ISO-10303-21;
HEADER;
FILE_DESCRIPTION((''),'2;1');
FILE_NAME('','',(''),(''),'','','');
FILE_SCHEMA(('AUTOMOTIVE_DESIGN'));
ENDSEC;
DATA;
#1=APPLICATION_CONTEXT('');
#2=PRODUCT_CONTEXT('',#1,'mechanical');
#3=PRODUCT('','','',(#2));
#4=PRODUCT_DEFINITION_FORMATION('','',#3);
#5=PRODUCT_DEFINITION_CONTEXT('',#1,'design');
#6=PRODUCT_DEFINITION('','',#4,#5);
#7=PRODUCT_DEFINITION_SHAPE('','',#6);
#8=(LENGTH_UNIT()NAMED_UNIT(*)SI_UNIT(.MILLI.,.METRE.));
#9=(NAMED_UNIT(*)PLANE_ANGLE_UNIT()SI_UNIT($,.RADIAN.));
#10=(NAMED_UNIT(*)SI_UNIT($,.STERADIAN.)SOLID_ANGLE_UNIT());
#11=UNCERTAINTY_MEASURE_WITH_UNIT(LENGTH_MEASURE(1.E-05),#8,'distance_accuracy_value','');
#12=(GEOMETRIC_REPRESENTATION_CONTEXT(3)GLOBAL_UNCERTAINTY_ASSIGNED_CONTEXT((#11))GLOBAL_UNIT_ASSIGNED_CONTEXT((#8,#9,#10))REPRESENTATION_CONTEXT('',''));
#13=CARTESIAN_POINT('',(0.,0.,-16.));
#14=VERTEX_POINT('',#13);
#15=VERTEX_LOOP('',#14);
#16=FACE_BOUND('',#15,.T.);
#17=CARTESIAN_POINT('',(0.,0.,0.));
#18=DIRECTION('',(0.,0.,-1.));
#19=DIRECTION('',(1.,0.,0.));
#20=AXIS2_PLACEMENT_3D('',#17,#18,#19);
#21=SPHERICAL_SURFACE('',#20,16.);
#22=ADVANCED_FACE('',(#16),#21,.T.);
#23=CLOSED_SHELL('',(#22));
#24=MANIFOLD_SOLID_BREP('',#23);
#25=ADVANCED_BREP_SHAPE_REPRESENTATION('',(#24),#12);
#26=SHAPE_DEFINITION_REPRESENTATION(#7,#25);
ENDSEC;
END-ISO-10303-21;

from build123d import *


with BuildPart() as part:
    # 草圖1 → 旋轉1 (revolve)
    with BuildSketch(Plane(origin=(0, 0, 0), x_dir=(1, 0, 0), z_dir=(0, 1, 0))):
        with BuildLine():
            Line((0, 16), (0, -16))
            ThreePointArc((0, -16), (16, 0), (0, 16))
        make_face()
    revolve(axis=Axis((0, 0, -2.410765407), (0, 0, 1)))


solid = part.part
